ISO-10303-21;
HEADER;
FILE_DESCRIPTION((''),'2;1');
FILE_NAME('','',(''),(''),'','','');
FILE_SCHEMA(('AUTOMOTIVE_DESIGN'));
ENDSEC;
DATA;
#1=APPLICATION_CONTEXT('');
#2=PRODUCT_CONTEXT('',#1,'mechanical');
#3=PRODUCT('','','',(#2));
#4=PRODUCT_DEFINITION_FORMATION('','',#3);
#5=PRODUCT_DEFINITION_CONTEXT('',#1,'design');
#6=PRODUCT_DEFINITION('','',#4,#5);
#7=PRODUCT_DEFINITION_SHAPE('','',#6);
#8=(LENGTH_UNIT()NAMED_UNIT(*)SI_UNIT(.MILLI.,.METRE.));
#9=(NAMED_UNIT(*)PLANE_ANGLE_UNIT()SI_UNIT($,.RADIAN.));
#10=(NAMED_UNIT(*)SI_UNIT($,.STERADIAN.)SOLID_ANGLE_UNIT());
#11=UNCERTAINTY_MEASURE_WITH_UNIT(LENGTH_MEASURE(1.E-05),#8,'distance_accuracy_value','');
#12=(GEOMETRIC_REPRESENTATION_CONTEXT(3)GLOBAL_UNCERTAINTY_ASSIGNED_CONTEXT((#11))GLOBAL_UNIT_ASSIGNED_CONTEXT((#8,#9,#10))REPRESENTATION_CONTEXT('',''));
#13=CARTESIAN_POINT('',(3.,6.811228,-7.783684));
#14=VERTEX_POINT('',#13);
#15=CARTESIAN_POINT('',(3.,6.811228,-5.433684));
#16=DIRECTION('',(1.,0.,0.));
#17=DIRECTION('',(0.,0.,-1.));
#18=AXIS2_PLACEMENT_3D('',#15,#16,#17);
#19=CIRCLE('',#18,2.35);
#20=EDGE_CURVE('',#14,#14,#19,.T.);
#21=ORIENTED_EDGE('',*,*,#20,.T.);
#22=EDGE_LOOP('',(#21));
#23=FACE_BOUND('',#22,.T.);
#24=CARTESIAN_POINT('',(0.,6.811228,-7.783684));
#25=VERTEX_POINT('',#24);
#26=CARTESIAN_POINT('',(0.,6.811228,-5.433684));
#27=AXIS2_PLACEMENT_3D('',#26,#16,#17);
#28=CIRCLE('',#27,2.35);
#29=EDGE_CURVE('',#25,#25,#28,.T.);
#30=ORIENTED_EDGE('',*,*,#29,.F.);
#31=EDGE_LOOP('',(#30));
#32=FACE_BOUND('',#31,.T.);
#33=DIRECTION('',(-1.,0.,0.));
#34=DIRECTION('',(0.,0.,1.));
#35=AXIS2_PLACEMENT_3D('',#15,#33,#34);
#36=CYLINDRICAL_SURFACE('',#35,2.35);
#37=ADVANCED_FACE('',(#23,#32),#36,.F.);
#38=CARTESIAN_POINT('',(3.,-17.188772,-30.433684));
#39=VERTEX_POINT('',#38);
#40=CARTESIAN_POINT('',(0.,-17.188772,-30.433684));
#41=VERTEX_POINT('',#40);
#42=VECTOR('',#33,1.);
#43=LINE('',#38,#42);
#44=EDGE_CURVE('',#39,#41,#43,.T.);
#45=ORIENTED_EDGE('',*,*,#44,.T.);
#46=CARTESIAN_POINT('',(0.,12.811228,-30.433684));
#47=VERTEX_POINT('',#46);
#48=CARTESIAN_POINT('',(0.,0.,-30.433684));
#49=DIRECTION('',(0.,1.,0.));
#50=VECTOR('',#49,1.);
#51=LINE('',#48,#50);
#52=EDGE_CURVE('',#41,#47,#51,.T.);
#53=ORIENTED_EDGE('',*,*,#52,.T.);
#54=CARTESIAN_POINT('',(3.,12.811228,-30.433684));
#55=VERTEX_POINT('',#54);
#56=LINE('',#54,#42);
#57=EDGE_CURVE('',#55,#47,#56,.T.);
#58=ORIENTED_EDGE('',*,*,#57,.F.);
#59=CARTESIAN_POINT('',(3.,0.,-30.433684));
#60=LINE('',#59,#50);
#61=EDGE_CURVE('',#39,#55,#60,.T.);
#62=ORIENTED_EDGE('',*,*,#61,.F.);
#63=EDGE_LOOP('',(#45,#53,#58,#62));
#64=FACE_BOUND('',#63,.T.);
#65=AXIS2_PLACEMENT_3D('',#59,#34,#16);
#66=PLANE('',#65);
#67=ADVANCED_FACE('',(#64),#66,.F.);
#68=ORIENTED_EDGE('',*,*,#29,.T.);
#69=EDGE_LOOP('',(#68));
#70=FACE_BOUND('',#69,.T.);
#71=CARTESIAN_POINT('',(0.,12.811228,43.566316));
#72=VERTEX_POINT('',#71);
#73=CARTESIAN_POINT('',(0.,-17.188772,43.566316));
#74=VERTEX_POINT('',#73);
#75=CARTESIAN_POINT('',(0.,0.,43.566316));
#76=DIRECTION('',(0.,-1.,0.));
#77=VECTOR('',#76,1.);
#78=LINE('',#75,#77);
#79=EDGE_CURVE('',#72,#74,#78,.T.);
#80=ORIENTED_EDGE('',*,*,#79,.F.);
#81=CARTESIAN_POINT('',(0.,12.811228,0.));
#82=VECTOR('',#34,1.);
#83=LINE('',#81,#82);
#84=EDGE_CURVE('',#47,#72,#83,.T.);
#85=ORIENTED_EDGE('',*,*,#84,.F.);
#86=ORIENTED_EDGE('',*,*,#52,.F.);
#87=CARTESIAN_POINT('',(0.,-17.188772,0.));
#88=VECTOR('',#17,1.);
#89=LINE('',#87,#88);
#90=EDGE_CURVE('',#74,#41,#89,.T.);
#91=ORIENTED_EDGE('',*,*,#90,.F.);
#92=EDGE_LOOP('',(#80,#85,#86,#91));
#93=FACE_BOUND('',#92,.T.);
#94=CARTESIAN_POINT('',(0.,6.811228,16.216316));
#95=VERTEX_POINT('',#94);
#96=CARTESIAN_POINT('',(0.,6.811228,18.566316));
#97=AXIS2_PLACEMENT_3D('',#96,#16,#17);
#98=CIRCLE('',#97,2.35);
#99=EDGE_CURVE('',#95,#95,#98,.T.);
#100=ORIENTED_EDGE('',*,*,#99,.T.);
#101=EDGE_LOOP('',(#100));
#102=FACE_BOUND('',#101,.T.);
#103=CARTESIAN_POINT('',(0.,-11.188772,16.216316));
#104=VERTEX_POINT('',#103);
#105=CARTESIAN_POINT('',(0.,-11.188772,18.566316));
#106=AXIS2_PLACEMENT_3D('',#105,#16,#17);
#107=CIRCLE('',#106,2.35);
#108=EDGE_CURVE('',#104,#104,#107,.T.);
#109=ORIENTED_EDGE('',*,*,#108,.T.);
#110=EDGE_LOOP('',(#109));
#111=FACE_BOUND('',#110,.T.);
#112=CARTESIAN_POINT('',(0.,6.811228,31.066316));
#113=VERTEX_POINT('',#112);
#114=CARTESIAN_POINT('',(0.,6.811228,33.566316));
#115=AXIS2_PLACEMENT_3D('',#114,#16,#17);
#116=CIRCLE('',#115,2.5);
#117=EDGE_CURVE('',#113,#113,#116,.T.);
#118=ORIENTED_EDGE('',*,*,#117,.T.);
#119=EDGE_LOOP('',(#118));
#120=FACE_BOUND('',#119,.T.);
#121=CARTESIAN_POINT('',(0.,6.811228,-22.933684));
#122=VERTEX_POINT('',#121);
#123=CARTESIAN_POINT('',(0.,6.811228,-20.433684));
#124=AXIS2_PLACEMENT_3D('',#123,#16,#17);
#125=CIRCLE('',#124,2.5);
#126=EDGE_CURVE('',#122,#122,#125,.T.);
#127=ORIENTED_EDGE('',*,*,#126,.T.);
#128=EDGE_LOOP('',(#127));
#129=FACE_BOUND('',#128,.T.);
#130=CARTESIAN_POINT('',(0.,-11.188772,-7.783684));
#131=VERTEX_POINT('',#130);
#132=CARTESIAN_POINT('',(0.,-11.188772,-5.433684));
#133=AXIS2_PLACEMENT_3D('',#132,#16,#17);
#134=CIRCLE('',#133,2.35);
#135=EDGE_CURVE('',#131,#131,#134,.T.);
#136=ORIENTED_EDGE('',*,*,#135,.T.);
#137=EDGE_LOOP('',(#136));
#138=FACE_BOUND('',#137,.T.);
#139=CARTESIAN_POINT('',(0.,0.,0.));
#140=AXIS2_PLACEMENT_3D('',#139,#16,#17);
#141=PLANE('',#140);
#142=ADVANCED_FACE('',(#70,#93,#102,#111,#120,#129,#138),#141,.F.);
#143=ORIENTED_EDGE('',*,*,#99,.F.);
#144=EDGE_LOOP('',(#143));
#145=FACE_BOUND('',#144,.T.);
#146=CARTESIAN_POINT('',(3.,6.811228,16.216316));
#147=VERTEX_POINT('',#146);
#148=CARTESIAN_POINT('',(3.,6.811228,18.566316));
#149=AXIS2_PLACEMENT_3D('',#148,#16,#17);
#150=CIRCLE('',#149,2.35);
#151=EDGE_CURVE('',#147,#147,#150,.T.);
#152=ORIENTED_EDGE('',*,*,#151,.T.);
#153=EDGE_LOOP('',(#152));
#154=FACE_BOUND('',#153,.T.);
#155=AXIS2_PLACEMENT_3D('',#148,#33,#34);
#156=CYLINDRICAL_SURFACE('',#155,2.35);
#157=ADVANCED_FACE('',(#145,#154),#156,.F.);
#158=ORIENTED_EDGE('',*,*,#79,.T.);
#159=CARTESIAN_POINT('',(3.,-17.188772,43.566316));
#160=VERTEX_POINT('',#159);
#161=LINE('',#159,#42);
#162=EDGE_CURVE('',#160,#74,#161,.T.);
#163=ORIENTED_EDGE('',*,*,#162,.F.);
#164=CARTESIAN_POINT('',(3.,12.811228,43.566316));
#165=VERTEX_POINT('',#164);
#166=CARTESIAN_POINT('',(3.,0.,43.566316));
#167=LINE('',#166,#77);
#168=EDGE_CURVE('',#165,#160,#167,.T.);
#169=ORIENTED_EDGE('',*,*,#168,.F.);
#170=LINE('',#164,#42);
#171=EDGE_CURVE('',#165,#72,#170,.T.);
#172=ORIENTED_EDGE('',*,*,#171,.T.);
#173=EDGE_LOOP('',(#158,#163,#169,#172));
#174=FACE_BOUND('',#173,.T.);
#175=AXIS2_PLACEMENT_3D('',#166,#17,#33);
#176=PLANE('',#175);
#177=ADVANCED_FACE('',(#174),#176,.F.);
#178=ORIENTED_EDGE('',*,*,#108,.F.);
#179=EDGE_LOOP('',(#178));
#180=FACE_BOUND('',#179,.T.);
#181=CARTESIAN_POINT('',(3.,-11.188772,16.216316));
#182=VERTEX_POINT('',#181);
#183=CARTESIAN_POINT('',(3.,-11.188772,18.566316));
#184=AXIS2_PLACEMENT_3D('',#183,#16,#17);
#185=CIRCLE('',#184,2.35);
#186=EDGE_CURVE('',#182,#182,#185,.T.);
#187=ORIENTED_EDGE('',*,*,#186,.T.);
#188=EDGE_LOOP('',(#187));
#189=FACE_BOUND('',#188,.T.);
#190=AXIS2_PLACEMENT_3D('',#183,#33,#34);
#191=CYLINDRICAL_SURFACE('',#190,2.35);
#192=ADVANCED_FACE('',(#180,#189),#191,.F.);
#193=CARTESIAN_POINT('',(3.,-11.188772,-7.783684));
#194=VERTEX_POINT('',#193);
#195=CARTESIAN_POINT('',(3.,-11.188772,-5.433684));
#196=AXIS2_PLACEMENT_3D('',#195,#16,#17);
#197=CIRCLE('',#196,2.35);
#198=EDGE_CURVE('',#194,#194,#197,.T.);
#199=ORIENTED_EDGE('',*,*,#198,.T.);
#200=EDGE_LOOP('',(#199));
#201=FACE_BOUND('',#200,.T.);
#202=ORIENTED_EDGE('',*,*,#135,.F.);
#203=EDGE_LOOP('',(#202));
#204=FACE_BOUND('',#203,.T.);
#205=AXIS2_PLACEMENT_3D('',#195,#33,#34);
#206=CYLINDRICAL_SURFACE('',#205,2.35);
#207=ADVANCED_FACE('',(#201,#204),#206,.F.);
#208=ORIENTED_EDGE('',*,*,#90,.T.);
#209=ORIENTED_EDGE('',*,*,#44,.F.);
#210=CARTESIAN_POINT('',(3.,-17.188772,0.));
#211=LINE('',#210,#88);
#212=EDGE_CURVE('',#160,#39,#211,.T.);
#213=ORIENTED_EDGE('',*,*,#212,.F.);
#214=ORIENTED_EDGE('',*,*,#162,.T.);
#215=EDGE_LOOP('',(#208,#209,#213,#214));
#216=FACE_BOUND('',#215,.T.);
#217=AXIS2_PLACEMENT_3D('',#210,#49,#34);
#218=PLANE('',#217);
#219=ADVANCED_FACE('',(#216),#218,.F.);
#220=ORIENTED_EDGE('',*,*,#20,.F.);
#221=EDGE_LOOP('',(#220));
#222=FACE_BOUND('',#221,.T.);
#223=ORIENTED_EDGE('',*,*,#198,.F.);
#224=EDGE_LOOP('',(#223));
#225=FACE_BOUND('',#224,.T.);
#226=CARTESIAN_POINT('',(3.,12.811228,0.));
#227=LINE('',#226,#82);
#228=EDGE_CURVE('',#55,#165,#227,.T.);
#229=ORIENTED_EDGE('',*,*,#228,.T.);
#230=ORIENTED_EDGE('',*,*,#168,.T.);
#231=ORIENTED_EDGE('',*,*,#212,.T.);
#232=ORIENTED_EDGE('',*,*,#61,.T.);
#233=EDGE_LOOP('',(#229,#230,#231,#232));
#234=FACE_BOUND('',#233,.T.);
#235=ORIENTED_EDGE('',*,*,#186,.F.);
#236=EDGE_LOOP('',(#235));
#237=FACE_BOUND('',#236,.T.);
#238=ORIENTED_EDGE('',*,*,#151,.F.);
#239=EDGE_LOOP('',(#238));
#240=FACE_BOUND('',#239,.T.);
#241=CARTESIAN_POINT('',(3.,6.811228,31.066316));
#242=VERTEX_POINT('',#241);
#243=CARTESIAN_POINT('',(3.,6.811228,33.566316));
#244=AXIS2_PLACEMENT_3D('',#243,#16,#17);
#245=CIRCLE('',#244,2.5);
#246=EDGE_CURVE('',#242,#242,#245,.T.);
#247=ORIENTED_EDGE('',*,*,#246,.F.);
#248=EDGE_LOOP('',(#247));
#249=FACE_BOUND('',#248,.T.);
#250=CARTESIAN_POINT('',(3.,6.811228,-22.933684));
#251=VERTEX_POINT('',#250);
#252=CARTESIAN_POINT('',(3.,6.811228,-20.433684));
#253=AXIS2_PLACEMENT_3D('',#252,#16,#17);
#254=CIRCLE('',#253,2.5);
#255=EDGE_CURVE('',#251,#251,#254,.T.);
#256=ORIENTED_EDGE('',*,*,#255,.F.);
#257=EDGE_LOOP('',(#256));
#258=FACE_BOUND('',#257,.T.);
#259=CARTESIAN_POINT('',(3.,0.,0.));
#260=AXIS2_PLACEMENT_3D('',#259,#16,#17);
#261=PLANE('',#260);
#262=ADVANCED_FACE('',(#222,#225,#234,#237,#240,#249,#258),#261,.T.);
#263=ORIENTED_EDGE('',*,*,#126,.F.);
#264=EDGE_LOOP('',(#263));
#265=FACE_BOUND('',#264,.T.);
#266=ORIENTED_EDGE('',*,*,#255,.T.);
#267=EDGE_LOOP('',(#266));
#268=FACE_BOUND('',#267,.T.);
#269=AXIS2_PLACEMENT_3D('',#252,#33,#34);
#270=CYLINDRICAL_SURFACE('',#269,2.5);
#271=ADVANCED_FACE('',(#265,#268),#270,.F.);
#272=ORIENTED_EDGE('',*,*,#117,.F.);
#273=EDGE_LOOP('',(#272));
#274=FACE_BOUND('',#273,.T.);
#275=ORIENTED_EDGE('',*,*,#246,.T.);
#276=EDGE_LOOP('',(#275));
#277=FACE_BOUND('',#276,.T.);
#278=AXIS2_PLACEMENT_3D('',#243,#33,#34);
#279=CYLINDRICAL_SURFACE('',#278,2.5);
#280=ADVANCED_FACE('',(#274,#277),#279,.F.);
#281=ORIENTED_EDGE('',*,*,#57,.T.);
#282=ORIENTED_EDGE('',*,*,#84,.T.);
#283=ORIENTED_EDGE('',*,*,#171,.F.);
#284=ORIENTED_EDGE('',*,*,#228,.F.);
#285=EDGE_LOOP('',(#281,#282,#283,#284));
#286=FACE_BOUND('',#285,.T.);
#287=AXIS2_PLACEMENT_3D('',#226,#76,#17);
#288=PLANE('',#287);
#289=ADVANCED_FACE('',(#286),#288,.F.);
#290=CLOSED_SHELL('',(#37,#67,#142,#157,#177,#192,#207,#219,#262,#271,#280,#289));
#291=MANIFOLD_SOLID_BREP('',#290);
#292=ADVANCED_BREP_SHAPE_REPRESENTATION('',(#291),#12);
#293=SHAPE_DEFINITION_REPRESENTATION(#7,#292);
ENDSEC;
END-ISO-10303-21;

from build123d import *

# Parameters (mm, degrees)
SKETCH1_W           = 17
SKETCH1_H           = 30
SKETCH1_R           = 2.5
SKETCH1_W_2         = 40
SKETCH1_R_2         = 2.35
BOSS_EXTRUDE1_DEPTH = 3


with BuildPart() as part:
    # Sketch1 → Boss-Extrude1 (new body)
    # profile 1 of 3: a face of its own
    with BuildSketch(Plane(origin=(0, 0, 0), x_dir=(0, 0, -1), z_dir=(1, 0, 0))):
        with Locations((21.933683822, -2.188772059)):
            Rectangle(SKETCH1_W, SKETCH1_H)
        with Locations((20.433683822, 6.811227941)):
            Circle(SKETCH1_R, mode=Mode.SUBTRACT)
    # profile 2 of 3: a face of its own
    with BuildSketch(Plane(origin=(0, 0, 0), x_dir=(0, 0, -1), z_dir=(1, 0, 0))):
        with Locations((-6.566316178, -2.188772059)):
            Rectangle(SKETCH1_W_2, SKETCH1_H)
        with Locations((-18.566316178, 6.811227941)):
            Circle(SKETCH1_R_2, mode=Mode.SUBTRACT)
        with Locations((5.433683822, 6.811227941)):
            Circle(SKETCH1_R_2, mode=Mode.SUBTRACT)
        with Locations((5.433683822, -11.188772059)):
            Circle(SKETCH1_R_2, mode=Mode.SUBTRACT)
        with Locations((-18.566316178, -11.188772059)):
            Circle(SKETCH1_R_2, mode=Mode.SUBTRACT)
    # profile 3 of 3: a face of its own
    with BuildSketch(Plane(origin=(0, 0, 0), x_dir=(0, 0, -1), z_dir=(1, 0, 0))):
        with Locations((-35.066316178, -2.188772059)):
            Rectangle(SKETCH1_W, SKETCH1_H)
        with Locations((-33.566316178, 6.811227941)):
            Circle(SKETCH1_R, mode=Mode.SUBTRACT)
    extrude(amount=BOSS_EXTRUDE1_DEPTH)


solid = part.part
